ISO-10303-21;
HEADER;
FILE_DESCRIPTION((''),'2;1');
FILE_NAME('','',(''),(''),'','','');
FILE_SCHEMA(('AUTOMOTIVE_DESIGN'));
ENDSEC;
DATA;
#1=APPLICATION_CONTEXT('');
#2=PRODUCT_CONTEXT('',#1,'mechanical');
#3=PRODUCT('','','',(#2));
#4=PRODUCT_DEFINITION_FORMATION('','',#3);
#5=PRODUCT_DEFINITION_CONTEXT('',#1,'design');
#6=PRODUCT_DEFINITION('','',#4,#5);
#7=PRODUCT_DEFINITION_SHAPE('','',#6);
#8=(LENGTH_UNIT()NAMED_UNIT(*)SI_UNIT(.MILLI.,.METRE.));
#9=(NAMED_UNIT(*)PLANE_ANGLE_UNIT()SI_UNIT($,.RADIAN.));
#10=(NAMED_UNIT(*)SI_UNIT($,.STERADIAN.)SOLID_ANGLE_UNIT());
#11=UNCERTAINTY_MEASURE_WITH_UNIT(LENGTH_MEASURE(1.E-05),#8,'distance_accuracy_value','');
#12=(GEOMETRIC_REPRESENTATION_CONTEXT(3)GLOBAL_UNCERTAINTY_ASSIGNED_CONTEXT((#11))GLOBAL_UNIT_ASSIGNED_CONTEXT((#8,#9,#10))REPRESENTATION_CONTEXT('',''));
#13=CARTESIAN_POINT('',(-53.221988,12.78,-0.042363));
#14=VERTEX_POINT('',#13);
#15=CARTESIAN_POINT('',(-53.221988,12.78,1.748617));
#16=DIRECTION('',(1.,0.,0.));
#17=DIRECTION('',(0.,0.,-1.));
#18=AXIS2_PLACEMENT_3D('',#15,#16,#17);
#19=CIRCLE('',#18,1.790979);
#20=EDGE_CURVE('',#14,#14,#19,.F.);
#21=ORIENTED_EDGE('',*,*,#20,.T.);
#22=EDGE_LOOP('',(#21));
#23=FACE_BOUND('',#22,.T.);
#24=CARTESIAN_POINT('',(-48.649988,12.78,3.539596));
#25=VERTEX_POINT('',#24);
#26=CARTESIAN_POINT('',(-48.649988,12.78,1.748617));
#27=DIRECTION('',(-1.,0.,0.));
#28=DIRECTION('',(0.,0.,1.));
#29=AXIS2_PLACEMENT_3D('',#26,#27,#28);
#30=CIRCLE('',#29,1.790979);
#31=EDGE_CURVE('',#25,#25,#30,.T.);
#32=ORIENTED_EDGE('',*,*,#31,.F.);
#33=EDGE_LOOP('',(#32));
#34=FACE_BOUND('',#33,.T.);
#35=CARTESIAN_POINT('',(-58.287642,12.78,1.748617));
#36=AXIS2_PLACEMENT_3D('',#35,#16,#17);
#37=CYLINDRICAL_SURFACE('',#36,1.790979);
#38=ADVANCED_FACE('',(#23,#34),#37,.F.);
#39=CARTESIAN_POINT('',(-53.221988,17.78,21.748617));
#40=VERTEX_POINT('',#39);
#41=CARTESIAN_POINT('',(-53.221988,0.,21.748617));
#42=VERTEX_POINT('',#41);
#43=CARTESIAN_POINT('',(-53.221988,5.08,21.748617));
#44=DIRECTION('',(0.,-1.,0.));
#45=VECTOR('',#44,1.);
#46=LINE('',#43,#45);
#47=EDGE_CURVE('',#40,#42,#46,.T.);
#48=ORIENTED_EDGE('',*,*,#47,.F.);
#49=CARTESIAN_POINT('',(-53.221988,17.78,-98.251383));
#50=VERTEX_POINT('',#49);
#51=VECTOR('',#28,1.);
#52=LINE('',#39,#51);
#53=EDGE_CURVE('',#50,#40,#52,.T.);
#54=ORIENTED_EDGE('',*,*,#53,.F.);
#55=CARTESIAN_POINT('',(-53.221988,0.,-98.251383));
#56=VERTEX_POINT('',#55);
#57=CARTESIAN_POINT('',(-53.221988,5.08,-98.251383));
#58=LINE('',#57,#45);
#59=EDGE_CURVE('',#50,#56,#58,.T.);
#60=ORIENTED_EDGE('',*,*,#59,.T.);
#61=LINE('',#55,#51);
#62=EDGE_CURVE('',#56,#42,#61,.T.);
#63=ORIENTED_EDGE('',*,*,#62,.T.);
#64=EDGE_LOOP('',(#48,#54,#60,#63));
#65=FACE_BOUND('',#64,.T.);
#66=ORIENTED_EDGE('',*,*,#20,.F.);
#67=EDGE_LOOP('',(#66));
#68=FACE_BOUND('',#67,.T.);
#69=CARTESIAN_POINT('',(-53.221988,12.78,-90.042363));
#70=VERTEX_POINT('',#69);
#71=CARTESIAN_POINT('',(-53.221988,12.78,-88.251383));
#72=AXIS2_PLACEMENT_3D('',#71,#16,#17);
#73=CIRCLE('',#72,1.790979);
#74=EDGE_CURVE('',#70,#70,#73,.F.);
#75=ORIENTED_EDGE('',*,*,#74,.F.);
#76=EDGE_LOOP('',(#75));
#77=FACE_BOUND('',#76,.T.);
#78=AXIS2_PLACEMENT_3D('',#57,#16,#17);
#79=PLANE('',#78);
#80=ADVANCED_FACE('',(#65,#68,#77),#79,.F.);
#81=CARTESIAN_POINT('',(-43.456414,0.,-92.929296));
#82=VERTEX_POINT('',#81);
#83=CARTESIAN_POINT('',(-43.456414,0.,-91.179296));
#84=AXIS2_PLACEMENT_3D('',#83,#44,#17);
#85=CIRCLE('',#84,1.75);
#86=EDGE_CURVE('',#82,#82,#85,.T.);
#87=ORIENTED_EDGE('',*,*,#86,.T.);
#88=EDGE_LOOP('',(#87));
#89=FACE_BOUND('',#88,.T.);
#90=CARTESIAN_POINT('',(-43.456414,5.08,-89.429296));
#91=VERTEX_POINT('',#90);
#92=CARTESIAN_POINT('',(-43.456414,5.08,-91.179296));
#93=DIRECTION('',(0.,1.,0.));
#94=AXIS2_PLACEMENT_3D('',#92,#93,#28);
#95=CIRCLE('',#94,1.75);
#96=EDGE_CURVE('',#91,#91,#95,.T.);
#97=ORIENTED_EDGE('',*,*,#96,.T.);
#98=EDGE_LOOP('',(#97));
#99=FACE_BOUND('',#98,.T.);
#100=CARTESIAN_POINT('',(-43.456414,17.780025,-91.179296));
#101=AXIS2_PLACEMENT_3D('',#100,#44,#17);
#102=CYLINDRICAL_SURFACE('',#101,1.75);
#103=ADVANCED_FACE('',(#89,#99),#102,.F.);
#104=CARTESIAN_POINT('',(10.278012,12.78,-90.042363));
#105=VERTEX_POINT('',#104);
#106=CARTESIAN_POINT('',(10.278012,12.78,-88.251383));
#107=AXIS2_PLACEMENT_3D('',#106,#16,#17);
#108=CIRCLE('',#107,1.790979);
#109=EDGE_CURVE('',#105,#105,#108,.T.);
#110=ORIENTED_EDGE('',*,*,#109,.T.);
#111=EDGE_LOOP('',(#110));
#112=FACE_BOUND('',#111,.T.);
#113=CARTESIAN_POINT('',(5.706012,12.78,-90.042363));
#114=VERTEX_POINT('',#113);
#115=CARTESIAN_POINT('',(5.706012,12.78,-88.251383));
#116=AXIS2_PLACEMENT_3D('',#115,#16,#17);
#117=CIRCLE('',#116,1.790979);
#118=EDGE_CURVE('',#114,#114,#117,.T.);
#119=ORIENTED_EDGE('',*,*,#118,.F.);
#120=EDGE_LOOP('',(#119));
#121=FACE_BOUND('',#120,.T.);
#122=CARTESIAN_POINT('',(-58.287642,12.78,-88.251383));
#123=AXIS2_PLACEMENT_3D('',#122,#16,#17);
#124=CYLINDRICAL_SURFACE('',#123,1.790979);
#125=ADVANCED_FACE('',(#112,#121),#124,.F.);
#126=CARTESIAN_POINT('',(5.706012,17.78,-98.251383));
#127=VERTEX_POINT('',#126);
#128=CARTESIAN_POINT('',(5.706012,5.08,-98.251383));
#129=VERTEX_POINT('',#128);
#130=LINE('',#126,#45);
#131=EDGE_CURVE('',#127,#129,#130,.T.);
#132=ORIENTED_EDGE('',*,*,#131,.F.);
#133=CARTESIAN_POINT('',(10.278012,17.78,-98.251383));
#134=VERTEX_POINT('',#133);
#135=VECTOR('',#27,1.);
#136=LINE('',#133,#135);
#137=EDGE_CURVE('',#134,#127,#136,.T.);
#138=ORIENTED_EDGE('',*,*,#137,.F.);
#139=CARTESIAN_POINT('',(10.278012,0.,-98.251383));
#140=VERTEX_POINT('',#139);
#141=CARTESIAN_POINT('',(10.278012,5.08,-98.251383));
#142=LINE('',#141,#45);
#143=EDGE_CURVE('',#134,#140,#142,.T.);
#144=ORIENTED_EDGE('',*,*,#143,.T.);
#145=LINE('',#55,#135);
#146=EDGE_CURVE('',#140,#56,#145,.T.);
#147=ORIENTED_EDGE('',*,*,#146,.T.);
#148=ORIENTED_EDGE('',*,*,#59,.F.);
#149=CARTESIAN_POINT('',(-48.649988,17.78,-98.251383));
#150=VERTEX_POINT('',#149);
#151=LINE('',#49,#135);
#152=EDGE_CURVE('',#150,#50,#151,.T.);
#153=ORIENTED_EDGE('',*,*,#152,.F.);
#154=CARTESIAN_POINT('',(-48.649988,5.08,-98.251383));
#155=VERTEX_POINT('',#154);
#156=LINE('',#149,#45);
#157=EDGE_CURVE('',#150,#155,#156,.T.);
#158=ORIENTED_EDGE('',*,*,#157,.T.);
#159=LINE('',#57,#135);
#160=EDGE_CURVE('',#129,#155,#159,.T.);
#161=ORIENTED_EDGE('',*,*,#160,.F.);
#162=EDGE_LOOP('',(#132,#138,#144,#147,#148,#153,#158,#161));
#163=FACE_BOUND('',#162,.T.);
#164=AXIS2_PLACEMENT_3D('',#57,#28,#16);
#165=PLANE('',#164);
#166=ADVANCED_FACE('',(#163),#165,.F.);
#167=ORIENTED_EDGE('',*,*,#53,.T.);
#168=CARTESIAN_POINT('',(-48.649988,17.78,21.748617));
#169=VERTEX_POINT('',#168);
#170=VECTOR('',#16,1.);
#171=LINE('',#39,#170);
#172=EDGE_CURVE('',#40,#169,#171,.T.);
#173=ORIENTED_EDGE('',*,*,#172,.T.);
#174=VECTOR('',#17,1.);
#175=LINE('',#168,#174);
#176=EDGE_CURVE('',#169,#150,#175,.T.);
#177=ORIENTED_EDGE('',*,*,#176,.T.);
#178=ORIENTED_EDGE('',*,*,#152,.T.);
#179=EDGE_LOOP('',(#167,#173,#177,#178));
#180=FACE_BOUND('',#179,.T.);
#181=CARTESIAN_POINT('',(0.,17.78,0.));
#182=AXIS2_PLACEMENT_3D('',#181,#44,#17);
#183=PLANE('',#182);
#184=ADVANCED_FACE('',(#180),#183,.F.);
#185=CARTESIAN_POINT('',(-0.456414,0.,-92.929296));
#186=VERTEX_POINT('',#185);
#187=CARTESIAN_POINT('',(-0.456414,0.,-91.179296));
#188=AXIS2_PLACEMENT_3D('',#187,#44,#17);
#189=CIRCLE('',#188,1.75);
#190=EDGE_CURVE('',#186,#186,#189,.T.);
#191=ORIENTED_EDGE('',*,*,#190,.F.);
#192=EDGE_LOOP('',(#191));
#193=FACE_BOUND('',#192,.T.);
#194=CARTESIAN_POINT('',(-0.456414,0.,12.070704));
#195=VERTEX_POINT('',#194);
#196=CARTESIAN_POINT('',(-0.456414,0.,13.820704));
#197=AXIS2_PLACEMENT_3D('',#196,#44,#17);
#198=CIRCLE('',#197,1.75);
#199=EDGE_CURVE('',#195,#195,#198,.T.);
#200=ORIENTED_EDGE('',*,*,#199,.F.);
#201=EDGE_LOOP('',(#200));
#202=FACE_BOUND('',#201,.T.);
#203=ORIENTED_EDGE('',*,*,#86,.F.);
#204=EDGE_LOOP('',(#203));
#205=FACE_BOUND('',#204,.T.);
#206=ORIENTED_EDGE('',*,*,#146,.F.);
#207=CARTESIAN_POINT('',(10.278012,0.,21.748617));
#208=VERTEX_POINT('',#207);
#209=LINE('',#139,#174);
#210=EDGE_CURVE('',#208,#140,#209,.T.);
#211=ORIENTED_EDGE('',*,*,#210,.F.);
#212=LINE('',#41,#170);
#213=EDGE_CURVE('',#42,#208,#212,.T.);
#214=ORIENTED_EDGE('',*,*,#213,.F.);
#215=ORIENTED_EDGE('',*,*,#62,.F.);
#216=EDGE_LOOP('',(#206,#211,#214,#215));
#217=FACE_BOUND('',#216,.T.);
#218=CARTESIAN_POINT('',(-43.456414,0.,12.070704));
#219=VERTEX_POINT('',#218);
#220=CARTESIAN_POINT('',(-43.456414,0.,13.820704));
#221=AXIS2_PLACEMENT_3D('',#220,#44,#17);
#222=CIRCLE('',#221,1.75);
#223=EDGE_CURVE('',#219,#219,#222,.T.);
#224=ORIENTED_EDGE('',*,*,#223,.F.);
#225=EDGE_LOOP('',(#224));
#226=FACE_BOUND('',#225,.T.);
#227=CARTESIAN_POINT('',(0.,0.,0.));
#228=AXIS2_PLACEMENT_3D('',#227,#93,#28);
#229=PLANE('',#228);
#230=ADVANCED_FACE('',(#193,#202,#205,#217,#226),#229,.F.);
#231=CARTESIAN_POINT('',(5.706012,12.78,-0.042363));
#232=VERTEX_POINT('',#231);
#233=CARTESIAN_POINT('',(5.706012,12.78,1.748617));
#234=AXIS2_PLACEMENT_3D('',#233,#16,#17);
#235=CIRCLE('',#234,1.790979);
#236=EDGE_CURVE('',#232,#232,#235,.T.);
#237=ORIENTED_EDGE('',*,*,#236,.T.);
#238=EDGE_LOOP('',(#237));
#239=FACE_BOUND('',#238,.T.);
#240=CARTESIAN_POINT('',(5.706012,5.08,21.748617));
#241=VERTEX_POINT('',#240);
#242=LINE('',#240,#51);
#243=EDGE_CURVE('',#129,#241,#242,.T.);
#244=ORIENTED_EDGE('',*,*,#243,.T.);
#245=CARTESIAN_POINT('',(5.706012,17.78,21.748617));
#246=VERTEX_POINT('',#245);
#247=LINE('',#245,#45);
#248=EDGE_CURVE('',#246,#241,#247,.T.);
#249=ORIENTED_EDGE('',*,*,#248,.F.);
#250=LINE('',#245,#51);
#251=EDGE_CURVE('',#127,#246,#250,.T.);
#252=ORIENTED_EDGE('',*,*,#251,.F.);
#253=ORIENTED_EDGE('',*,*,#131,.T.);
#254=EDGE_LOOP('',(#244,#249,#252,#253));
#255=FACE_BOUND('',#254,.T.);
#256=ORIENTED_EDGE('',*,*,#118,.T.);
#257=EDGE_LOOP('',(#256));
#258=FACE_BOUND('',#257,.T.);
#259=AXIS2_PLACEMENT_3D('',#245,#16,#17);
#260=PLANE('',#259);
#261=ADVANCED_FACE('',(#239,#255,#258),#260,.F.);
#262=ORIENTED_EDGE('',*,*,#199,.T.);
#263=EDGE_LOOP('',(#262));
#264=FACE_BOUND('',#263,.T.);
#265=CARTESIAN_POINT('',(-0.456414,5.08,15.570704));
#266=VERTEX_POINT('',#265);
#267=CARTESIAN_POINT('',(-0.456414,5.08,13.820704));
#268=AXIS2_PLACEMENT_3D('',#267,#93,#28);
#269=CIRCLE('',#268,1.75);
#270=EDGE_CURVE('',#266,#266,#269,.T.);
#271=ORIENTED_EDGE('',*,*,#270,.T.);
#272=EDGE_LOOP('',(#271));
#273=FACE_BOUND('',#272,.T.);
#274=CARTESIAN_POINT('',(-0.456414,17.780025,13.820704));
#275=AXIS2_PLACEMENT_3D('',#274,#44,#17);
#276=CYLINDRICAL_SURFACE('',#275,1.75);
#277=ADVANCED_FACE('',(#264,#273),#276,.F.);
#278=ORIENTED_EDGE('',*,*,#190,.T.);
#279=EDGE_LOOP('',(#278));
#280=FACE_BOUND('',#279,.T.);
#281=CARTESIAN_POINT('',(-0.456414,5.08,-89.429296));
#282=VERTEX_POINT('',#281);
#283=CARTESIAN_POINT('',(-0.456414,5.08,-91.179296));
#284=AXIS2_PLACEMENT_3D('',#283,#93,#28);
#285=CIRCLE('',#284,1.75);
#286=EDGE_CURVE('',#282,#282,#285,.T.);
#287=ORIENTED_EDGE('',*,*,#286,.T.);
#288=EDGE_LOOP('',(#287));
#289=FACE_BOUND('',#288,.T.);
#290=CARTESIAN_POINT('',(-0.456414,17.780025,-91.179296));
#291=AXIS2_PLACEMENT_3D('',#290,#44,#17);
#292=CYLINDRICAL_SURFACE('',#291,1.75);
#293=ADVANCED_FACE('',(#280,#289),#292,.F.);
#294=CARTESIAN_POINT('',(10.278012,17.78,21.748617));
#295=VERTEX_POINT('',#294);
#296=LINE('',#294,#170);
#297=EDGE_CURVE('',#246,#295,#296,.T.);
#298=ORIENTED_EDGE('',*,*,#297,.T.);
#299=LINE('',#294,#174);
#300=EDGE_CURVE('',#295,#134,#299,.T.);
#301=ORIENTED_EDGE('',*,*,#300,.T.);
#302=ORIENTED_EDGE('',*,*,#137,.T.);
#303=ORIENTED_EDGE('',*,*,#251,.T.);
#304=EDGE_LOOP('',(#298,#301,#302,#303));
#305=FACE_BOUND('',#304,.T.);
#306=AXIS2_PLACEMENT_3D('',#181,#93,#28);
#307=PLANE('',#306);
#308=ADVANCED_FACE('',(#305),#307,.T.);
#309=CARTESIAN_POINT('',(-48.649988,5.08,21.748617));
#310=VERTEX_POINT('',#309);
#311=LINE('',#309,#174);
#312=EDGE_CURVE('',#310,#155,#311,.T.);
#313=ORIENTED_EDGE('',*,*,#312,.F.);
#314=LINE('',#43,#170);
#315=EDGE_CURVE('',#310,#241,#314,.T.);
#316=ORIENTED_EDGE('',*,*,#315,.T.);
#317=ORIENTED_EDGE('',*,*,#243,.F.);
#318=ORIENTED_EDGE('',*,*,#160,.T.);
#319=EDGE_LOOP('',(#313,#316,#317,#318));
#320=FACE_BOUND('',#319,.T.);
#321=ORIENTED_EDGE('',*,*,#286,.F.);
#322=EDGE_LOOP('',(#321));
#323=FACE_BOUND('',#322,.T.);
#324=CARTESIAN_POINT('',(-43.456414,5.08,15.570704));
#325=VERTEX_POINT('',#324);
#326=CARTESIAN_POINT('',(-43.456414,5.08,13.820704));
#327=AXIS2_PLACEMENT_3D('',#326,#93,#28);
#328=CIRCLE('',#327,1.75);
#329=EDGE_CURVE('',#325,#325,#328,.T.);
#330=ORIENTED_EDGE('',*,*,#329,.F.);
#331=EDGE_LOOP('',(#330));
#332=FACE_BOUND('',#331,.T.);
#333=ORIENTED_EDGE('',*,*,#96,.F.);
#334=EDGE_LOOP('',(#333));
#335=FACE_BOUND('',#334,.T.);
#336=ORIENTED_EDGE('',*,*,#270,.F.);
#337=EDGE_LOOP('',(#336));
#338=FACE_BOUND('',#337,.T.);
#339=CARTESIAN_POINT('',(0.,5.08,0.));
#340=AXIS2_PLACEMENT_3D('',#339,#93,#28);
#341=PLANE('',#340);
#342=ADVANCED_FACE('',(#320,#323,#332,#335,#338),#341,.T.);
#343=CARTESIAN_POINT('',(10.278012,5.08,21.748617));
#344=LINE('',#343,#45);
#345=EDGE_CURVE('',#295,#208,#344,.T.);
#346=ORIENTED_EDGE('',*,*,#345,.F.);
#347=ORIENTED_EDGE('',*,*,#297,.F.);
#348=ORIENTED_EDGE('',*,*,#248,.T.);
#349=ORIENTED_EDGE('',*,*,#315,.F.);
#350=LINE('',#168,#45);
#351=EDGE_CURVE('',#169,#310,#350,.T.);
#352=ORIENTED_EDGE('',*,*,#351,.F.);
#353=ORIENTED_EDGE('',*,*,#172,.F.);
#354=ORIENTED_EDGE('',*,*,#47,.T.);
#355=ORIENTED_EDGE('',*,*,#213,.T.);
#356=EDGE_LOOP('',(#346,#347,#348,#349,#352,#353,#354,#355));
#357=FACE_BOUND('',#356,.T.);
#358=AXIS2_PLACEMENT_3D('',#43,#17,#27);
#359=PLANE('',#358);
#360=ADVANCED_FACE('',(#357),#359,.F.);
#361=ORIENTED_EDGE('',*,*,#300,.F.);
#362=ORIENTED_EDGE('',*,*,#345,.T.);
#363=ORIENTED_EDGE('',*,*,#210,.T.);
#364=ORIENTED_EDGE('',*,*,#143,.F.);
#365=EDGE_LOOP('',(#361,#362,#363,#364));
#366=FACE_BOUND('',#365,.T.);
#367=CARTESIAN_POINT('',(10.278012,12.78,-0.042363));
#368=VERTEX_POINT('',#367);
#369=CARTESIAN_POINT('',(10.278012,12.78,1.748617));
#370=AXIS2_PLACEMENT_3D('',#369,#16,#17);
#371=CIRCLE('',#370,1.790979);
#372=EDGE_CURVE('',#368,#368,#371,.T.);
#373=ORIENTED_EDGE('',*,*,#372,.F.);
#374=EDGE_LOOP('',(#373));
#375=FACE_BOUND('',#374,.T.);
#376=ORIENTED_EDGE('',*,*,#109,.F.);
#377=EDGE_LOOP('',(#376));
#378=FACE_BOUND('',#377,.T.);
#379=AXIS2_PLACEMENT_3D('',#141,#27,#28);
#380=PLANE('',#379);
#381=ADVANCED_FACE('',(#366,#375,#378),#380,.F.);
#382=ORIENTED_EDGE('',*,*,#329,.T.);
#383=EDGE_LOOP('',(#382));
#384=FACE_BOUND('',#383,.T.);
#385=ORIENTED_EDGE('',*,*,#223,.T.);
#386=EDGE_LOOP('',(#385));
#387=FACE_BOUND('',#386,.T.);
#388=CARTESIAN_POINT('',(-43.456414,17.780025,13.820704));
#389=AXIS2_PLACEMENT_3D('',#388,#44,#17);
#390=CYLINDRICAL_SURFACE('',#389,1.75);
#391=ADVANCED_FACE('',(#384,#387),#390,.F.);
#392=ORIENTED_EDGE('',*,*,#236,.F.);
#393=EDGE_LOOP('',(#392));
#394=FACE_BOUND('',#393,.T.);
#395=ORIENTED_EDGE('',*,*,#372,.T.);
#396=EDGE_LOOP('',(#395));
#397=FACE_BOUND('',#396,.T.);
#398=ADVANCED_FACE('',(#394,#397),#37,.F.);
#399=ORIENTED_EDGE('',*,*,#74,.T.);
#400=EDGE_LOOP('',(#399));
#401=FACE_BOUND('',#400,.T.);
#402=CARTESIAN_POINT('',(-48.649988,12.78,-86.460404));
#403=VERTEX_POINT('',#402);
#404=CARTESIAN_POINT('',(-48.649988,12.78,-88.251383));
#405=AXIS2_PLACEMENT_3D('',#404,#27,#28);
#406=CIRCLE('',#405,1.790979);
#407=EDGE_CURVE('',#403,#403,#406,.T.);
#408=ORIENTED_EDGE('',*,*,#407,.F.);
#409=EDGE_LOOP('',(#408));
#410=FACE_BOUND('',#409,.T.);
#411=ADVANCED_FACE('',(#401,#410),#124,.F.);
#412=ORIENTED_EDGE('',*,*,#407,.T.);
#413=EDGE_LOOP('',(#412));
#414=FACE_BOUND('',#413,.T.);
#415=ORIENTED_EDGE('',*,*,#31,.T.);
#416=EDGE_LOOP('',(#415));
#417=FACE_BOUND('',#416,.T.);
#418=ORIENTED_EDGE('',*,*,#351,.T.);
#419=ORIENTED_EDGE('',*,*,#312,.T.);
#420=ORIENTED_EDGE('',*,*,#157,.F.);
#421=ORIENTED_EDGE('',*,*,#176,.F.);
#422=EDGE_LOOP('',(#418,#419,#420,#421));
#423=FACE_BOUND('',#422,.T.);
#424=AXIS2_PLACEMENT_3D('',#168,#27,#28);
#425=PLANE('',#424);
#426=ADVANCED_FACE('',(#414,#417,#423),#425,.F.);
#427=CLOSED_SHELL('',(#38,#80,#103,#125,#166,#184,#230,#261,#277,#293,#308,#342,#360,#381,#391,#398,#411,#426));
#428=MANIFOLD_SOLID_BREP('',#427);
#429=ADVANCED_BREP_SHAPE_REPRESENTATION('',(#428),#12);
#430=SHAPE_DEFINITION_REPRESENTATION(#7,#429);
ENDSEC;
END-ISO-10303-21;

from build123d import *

# Parameters (mm, degrees)
SKETCH2_W           = 63.5
SKETCH2_H           = 120
BOSS_EXTRUDE1_DEPTH = 5.08
SKETCH3_W           = 4.572
SKETCH3_H           = 120
BOSS_EXTRUDE2_DEPTH = 12.7
CUT_EXTRUDE1_REACH  = 120.329
SKETCH4_R           = 1.79097934
SKETCH5_R           = 1.75
CUT_EXTRUDE2_DEPTH  = 114.146112049


with BuildPart() as part:
    # Sketch2 → Boss-Extrude1 (new body)
    with BuildSketch(Plane(origin=(0, 0, 0), x_dir=(1, 0, 0), z_dir=(0, 1, 0))):
        with Locations((-21.471987722, 38.251383169)):
            Rectangle(SKETCH2_W, SKETCH2_H)
    extrude(amount=BOSS_EXTRUDE1_DEPTH)

    # Sketch3 → Boss-Extrude2 (add)
    with BuildSketch(Plane(origin=(0, 5.08, 0), x_dir=(1, 0, 0), z_dir=(0, 1, 0))):
        with Locations((-50.935987722, 38.251383169)):
            Rectangle(SKETCH3_W, SKETCH3_H)
        with Locations((7.992012278, 38.251383169)):
            Rectangle(SKETCH3_W, SKETCH3_H)
    extrude(amount=BOSS_EXTRUDE2_DEPTH)

    # Cut-Extrude1: up to this face of the body (flat: up to its plane)
    cut_extrude1_end = Plane(part.part.faces().sort_by_distance((-53.221987722, 8.89, -38.251383169))[0])
    # Sketch4 → Cut-Extrude1 (cut, up to the picked face)
    with BuildSketch(Plane(origin=(10.278012278, 0, 0), x_dir=(0, 0, -1), z_dir=(1, 0, 0)), mode=Mode.PRIVATE) as cut_extrude1_sk1:
        with Locations((-1.748616831, 12.78)):
            Circle(SKETCH4_R)
    cut_extrude1_tool1 = split(extrude(cut_extrude1_sk1.sketch, amount=-CUT_EXTRUDE1_REACH, mode=Mode.PRIVATE), bisect_by=cut_extrude1_end, keep=Keep.BOTH, mode=Mode.PRIVATE)
    # Sketch4 → Cut-Extrude1 (cut, up to the picked face)
    with BuildSketch(Plane(origin=(10.278012278, 0, 0), x_dir=(0, 0, -1), z_dir=(1, 0, 0)), mode=Mode.PRIVATE) as cut_extrude1_sk2:
        with Locations((88.251383169, 12.78)):
            Circle(SKETCH4_R)
    cut_extrude1_tool2 = split(extrude(cut_extrude1_sk2.sketch, amount=-CUT_EXTRUDE1_REACH, mode=Mode.PRIVATE), bisect_by=cut_extrude1_end, keep=Keep.BOTH, mode=Mode.PRIVATE)
    add(cut_extrude1_tool1.solids().sort_by(Axis((10.278012, 12.78, 1.748617), (-1, 0, 0)))[0], mode=Mode.SUBTRACT)
    add(cut_extrude1_tool2.solids().sort_by(Axis((10.278012, 12.78, -88.251383), (-1, 0, 0)))[0], mode=Mode.SUBTRACT)

    # Sketch5 → Cut-Extrude2 (cut, through all)
    with BuildSketch(Plane(origin=(0, 0, 0), x_dir=(-1, 0, 0), z_dir=(0, -1, 0))):
        with Locations(Location((43.456413511, 91.179295555, 0), (0, 0, 90))):
            Circle(SKETCH5_R)
        with Locations(Location((0.456413511, 91.179295555, 0), (0, 0, 90))):
            Circle(SKETCH5_R)
        with Locations(Location((43.456413511, -13.820704445, 0), (0, 0, 90))):
            Circle(SKETCH5_R)
        with Locations(Location((0.456413511, -13.820704445, 0), (0, 0, 90))):
            Circle(SKETCH5_R)
    extrude(amount=-CUT_EXTRUDE2_DEPTH, mode=Mode.SUBTRACT)


solid = part.part
